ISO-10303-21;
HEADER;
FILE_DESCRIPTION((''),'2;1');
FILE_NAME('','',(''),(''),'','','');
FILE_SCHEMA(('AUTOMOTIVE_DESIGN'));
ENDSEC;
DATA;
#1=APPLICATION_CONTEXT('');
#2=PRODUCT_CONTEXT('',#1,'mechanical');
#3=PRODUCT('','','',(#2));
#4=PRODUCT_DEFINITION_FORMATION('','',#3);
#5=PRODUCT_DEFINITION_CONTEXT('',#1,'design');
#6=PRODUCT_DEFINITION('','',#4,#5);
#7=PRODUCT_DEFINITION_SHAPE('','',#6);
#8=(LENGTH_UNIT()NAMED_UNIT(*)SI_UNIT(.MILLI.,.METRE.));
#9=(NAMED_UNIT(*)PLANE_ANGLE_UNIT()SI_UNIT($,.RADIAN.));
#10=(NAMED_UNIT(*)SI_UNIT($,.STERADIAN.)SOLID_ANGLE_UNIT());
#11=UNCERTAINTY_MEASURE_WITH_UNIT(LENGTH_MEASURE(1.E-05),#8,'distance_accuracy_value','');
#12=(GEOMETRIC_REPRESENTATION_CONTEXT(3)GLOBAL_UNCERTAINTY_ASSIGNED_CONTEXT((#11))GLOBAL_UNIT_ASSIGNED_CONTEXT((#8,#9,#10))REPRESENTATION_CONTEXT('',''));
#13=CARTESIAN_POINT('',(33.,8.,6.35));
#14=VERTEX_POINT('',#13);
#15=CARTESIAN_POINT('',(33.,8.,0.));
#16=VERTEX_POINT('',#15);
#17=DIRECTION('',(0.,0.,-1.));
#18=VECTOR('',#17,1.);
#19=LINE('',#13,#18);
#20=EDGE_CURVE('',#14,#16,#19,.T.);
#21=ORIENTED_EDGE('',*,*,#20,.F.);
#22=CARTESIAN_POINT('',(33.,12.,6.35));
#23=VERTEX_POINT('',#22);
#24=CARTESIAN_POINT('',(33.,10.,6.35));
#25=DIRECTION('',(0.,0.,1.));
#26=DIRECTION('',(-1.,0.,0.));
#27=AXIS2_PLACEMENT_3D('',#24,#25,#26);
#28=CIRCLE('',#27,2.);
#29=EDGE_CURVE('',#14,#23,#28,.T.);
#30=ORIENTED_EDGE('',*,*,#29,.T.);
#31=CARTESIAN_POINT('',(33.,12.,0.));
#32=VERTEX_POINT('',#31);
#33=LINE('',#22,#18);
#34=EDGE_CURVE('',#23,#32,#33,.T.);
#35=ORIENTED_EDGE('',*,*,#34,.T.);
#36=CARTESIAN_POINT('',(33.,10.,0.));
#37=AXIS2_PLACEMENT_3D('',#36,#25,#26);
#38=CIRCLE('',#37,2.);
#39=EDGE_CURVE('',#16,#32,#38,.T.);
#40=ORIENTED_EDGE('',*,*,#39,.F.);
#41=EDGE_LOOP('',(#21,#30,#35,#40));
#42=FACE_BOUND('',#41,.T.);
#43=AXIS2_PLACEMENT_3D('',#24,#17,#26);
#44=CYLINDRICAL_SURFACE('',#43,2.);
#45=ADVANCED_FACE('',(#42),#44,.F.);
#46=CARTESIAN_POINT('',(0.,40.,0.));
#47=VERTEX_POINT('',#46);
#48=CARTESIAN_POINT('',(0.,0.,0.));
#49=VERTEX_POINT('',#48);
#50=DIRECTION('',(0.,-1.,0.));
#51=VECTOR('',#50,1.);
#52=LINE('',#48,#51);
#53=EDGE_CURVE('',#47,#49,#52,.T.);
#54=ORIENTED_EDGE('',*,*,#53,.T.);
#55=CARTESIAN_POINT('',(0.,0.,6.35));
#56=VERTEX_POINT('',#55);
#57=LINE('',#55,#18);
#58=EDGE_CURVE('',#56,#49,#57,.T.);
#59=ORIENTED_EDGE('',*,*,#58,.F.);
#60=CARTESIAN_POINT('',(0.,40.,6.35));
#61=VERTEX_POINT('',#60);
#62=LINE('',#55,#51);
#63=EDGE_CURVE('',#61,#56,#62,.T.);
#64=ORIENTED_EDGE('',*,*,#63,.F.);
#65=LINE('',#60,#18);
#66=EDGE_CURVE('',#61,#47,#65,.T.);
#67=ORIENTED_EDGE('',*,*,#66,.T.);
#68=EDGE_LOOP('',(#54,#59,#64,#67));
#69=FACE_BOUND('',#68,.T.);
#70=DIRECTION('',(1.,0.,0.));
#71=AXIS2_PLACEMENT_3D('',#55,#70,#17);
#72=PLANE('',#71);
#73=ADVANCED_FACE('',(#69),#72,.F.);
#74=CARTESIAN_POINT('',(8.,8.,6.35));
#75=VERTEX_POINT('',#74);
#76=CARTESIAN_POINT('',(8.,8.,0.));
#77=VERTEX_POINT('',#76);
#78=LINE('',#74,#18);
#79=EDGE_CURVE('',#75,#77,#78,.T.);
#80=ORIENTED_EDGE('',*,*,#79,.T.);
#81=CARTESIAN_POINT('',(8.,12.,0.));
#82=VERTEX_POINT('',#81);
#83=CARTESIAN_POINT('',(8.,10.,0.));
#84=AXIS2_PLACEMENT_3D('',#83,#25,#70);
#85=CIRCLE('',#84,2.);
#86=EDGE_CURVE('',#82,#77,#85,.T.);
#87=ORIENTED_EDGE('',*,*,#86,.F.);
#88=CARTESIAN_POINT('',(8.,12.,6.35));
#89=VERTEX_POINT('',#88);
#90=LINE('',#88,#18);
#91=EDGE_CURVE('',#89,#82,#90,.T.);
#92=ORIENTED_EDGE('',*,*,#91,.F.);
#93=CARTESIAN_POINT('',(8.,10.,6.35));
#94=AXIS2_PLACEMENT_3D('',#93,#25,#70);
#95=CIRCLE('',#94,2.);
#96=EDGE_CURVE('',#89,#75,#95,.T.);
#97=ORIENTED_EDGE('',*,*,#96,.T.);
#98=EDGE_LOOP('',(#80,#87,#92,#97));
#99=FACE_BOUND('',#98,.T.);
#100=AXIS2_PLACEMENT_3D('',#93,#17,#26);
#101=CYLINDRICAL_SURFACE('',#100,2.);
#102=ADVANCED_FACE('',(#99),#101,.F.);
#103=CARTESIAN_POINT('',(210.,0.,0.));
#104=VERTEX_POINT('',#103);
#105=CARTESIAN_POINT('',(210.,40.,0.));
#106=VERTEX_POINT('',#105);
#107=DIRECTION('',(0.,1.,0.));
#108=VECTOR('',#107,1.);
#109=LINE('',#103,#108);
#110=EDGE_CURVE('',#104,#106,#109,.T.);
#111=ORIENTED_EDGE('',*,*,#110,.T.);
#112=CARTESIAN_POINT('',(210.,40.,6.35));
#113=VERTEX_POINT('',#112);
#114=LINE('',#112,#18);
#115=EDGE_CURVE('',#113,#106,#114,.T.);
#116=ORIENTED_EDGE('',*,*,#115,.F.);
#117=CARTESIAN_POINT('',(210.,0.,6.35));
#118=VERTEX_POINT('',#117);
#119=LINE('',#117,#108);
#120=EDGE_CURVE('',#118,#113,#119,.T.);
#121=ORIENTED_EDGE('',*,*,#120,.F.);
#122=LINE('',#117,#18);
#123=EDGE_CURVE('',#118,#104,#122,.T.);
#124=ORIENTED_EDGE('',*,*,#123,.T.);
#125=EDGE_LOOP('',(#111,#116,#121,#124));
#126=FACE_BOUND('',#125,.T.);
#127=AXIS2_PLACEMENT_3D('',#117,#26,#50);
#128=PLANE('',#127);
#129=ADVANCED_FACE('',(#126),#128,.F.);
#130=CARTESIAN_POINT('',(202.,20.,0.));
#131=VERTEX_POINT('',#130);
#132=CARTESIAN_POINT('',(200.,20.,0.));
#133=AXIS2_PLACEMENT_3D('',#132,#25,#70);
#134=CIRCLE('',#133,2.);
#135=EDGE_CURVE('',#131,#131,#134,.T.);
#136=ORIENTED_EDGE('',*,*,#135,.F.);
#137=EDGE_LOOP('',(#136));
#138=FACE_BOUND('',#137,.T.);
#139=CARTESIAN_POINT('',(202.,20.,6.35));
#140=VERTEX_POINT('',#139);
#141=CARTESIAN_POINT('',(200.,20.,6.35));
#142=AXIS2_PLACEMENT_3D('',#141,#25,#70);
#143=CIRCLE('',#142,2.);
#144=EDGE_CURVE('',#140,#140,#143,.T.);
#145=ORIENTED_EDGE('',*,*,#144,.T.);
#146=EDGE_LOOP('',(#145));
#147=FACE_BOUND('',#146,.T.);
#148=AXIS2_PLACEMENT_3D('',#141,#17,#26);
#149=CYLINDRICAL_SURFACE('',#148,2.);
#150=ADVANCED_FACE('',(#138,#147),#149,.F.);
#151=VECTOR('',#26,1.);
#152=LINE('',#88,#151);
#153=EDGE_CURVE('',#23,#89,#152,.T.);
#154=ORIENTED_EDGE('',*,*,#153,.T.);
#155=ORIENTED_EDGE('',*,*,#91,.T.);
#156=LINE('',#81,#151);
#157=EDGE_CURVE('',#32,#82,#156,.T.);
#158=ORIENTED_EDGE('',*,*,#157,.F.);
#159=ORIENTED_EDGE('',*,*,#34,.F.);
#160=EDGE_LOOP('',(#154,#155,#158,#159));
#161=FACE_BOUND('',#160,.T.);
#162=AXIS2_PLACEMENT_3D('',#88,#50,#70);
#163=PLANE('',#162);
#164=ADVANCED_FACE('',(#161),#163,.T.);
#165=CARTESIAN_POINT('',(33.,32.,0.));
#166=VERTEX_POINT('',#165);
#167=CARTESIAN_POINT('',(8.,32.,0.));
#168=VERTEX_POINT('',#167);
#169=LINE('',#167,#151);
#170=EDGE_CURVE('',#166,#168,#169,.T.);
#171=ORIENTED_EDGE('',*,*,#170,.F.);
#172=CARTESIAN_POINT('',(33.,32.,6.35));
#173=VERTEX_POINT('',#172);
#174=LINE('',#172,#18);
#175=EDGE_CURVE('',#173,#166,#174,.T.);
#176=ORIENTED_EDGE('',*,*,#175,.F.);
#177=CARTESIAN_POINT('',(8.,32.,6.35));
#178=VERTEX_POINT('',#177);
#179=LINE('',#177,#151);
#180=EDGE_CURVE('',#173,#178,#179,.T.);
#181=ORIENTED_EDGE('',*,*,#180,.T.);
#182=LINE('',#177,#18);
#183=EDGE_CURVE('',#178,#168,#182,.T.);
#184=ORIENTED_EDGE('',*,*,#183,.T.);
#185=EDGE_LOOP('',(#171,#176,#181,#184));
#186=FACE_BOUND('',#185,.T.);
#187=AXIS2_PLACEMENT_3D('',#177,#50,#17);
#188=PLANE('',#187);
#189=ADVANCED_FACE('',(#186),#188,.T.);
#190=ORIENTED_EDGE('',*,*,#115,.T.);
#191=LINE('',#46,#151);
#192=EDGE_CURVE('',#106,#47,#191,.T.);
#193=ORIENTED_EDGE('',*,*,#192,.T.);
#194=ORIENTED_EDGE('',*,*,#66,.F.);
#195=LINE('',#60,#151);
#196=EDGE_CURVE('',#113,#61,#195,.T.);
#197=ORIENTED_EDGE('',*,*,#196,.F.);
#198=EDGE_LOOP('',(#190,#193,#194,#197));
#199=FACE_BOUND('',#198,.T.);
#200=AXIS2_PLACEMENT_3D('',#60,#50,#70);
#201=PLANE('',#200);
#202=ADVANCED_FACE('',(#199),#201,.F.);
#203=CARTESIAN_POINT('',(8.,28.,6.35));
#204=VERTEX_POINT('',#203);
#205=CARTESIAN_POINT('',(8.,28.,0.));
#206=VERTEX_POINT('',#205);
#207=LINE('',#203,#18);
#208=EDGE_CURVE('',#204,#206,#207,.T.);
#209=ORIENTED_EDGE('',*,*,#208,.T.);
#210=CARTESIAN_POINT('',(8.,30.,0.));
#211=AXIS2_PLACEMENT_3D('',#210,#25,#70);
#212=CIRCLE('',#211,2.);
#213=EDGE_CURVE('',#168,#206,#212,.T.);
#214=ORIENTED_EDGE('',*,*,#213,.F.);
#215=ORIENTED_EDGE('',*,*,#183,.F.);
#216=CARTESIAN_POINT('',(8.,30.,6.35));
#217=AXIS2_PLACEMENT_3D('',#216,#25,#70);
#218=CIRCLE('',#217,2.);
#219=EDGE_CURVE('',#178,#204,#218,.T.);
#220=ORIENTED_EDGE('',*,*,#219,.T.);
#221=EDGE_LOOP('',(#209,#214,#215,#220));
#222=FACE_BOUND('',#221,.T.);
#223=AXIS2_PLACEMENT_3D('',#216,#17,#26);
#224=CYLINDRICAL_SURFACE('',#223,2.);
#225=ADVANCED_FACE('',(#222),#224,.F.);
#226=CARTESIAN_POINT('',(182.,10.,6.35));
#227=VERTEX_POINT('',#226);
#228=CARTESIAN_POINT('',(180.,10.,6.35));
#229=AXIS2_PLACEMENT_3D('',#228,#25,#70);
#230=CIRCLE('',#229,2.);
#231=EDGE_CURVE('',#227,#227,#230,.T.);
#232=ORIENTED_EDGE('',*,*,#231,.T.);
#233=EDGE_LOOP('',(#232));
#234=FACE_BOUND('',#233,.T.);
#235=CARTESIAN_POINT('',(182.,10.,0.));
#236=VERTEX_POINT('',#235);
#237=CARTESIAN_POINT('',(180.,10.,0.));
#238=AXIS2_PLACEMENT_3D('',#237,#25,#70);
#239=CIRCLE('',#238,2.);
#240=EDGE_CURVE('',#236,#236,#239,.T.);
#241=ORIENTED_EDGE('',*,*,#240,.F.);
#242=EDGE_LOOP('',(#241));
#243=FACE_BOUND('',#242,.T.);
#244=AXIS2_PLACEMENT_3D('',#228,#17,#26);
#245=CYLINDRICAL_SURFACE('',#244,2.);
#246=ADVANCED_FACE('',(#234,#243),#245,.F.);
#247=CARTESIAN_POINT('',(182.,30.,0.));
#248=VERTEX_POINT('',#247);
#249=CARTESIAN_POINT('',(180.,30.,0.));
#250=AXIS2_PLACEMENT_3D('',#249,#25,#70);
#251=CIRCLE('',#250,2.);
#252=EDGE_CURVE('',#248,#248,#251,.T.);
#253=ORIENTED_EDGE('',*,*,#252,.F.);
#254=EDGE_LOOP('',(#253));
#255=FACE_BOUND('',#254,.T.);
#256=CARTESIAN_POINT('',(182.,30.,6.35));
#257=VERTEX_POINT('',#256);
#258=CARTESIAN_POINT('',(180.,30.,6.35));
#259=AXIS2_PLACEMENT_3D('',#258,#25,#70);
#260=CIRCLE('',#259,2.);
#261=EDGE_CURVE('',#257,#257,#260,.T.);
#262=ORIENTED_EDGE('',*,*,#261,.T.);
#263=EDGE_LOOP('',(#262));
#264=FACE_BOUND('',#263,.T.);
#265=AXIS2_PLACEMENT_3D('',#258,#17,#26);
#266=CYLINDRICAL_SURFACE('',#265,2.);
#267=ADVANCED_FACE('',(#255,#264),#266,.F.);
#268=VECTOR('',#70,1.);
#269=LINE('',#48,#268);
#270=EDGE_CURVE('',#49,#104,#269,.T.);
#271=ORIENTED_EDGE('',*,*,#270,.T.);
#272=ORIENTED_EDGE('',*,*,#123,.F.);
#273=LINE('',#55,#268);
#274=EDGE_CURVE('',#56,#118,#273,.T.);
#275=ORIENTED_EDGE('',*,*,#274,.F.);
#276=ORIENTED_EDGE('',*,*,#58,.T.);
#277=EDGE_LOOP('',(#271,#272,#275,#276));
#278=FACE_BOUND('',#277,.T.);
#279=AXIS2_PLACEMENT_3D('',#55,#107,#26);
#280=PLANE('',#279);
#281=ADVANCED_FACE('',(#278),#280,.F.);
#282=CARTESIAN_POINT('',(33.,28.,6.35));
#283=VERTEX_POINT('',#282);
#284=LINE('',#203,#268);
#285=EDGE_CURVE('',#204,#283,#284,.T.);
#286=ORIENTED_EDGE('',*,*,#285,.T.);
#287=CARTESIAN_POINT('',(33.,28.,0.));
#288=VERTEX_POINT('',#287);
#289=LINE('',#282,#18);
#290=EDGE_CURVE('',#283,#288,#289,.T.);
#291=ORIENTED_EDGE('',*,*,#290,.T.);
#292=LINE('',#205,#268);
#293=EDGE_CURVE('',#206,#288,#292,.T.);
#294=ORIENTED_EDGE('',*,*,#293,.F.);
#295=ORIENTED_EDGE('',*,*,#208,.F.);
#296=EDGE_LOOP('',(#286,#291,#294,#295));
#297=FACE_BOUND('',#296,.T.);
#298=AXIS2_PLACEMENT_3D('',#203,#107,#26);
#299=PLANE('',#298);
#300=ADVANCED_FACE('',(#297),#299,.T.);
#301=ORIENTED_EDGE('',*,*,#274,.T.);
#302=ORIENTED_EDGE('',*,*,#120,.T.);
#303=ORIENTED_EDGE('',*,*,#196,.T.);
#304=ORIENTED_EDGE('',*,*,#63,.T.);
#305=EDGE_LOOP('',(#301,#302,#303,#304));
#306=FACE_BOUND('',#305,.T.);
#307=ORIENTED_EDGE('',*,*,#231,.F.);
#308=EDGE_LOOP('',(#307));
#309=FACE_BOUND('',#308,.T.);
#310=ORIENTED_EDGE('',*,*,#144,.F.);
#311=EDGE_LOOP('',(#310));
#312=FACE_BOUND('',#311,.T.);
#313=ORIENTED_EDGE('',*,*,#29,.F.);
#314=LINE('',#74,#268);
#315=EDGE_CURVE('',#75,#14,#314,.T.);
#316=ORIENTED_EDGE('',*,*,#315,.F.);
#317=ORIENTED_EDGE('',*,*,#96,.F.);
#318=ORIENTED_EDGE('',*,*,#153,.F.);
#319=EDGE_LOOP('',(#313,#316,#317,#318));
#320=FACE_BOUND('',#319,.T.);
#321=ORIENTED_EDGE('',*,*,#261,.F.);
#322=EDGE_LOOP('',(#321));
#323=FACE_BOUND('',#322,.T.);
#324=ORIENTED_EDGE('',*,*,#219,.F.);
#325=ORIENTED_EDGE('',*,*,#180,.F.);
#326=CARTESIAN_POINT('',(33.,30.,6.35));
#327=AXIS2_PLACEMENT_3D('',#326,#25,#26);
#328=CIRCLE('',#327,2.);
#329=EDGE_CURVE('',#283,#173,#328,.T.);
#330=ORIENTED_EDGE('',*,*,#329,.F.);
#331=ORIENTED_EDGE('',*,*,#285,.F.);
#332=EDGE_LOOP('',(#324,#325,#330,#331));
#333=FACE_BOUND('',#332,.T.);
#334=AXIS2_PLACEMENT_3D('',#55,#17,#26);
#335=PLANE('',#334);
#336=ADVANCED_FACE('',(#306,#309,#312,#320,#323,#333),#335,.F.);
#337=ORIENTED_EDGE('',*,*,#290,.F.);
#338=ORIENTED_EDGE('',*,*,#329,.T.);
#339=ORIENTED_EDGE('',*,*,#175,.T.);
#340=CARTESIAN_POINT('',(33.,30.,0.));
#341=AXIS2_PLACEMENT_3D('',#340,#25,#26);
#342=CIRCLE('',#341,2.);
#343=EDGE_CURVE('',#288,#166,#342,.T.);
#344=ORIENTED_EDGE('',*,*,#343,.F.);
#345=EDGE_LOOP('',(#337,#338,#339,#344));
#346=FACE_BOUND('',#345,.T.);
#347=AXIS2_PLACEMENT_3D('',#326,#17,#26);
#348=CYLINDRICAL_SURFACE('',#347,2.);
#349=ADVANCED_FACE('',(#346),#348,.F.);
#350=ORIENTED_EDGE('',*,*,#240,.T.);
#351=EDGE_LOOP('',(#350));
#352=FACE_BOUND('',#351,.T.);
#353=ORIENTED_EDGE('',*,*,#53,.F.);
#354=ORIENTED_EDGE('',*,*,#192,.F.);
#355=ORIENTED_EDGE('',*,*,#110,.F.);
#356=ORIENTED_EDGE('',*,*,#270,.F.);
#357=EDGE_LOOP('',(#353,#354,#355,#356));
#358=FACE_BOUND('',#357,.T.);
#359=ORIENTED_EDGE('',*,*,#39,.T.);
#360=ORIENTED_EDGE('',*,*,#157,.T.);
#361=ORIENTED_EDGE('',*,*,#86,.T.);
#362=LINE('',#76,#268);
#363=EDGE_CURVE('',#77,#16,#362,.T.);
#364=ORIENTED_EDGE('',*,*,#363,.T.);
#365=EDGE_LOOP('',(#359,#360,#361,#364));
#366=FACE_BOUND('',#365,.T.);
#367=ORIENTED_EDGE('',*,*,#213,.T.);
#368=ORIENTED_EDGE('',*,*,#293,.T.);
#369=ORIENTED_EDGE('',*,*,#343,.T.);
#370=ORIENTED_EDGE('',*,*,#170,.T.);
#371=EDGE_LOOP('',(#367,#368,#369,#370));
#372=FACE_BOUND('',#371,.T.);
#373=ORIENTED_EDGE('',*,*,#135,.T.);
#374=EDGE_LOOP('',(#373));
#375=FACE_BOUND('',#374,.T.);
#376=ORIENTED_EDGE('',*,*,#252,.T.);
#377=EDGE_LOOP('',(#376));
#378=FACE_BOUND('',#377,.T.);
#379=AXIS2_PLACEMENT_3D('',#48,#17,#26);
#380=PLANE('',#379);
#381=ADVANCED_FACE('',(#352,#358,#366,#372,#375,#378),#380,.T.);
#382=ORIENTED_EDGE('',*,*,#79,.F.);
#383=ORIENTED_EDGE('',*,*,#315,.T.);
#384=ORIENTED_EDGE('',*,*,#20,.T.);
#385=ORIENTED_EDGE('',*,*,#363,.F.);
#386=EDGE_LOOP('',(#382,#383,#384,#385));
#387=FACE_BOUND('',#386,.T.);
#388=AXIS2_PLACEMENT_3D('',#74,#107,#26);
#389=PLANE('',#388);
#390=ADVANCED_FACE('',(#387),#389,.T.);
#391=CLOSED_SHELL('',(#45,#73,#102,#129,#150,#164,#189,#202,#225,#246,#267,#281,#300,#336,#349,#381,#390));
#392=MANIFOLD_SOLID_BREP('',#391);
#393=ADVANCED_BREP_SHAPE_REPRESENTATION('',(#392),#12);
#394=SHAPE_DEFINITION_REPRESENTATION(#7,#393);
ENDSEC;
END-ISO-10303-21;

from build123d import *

# Parameters (mm, degrees)
SKETCH1_W           = 210
SKETCH1_H           = 40
SKETCH1_R           = 2
BOSS_EXTRUDE1_DEPTH = 6.35


with BuildPart() as part:
    # Sketch1 → Boss-Extrude1 (new body)
    with BuildSketch(Plane.XY):
        with Locations((105, 20)):
            Rectangle(SKETCH1_W, SKETCH1_H)
        with Locations((180, 30)):
            Circle(SKETCH1_R, mode=Mode.SUBTRACT)
        with Locations((180, 10)):
            Circle(SKETCH1_R, mode=Mode.SUBTRACT)
        with Locations((200, 20)):
            Circle(SKETCH1_R, mode=Mode.SUBTRACT)
        with BuildLine():
            Line((8, 32), (33, 32))
            ThreePointArc((33, 32), (35, 30), (33, 28))
            Line((33, 28), (8, 28))
            ThreePointArc((8, 28), (6, 30), (8, 32))
        make_face(mode=Mode.SUBTRACT)
        with BuildLine():
            Line((8, 12), (33, 12))
            ThreePointArc((33, 12), (35, 10), (33, 8))
            Line((33, 8), (8, 8))
            ThreePointArc((8, 8), (6, 10), (8, 12))
        make_face(mode=Mode.SUBTRACT)
    extrude(amount=BOSS_EXTRUDE1_DEPTH)


solid = part.part
